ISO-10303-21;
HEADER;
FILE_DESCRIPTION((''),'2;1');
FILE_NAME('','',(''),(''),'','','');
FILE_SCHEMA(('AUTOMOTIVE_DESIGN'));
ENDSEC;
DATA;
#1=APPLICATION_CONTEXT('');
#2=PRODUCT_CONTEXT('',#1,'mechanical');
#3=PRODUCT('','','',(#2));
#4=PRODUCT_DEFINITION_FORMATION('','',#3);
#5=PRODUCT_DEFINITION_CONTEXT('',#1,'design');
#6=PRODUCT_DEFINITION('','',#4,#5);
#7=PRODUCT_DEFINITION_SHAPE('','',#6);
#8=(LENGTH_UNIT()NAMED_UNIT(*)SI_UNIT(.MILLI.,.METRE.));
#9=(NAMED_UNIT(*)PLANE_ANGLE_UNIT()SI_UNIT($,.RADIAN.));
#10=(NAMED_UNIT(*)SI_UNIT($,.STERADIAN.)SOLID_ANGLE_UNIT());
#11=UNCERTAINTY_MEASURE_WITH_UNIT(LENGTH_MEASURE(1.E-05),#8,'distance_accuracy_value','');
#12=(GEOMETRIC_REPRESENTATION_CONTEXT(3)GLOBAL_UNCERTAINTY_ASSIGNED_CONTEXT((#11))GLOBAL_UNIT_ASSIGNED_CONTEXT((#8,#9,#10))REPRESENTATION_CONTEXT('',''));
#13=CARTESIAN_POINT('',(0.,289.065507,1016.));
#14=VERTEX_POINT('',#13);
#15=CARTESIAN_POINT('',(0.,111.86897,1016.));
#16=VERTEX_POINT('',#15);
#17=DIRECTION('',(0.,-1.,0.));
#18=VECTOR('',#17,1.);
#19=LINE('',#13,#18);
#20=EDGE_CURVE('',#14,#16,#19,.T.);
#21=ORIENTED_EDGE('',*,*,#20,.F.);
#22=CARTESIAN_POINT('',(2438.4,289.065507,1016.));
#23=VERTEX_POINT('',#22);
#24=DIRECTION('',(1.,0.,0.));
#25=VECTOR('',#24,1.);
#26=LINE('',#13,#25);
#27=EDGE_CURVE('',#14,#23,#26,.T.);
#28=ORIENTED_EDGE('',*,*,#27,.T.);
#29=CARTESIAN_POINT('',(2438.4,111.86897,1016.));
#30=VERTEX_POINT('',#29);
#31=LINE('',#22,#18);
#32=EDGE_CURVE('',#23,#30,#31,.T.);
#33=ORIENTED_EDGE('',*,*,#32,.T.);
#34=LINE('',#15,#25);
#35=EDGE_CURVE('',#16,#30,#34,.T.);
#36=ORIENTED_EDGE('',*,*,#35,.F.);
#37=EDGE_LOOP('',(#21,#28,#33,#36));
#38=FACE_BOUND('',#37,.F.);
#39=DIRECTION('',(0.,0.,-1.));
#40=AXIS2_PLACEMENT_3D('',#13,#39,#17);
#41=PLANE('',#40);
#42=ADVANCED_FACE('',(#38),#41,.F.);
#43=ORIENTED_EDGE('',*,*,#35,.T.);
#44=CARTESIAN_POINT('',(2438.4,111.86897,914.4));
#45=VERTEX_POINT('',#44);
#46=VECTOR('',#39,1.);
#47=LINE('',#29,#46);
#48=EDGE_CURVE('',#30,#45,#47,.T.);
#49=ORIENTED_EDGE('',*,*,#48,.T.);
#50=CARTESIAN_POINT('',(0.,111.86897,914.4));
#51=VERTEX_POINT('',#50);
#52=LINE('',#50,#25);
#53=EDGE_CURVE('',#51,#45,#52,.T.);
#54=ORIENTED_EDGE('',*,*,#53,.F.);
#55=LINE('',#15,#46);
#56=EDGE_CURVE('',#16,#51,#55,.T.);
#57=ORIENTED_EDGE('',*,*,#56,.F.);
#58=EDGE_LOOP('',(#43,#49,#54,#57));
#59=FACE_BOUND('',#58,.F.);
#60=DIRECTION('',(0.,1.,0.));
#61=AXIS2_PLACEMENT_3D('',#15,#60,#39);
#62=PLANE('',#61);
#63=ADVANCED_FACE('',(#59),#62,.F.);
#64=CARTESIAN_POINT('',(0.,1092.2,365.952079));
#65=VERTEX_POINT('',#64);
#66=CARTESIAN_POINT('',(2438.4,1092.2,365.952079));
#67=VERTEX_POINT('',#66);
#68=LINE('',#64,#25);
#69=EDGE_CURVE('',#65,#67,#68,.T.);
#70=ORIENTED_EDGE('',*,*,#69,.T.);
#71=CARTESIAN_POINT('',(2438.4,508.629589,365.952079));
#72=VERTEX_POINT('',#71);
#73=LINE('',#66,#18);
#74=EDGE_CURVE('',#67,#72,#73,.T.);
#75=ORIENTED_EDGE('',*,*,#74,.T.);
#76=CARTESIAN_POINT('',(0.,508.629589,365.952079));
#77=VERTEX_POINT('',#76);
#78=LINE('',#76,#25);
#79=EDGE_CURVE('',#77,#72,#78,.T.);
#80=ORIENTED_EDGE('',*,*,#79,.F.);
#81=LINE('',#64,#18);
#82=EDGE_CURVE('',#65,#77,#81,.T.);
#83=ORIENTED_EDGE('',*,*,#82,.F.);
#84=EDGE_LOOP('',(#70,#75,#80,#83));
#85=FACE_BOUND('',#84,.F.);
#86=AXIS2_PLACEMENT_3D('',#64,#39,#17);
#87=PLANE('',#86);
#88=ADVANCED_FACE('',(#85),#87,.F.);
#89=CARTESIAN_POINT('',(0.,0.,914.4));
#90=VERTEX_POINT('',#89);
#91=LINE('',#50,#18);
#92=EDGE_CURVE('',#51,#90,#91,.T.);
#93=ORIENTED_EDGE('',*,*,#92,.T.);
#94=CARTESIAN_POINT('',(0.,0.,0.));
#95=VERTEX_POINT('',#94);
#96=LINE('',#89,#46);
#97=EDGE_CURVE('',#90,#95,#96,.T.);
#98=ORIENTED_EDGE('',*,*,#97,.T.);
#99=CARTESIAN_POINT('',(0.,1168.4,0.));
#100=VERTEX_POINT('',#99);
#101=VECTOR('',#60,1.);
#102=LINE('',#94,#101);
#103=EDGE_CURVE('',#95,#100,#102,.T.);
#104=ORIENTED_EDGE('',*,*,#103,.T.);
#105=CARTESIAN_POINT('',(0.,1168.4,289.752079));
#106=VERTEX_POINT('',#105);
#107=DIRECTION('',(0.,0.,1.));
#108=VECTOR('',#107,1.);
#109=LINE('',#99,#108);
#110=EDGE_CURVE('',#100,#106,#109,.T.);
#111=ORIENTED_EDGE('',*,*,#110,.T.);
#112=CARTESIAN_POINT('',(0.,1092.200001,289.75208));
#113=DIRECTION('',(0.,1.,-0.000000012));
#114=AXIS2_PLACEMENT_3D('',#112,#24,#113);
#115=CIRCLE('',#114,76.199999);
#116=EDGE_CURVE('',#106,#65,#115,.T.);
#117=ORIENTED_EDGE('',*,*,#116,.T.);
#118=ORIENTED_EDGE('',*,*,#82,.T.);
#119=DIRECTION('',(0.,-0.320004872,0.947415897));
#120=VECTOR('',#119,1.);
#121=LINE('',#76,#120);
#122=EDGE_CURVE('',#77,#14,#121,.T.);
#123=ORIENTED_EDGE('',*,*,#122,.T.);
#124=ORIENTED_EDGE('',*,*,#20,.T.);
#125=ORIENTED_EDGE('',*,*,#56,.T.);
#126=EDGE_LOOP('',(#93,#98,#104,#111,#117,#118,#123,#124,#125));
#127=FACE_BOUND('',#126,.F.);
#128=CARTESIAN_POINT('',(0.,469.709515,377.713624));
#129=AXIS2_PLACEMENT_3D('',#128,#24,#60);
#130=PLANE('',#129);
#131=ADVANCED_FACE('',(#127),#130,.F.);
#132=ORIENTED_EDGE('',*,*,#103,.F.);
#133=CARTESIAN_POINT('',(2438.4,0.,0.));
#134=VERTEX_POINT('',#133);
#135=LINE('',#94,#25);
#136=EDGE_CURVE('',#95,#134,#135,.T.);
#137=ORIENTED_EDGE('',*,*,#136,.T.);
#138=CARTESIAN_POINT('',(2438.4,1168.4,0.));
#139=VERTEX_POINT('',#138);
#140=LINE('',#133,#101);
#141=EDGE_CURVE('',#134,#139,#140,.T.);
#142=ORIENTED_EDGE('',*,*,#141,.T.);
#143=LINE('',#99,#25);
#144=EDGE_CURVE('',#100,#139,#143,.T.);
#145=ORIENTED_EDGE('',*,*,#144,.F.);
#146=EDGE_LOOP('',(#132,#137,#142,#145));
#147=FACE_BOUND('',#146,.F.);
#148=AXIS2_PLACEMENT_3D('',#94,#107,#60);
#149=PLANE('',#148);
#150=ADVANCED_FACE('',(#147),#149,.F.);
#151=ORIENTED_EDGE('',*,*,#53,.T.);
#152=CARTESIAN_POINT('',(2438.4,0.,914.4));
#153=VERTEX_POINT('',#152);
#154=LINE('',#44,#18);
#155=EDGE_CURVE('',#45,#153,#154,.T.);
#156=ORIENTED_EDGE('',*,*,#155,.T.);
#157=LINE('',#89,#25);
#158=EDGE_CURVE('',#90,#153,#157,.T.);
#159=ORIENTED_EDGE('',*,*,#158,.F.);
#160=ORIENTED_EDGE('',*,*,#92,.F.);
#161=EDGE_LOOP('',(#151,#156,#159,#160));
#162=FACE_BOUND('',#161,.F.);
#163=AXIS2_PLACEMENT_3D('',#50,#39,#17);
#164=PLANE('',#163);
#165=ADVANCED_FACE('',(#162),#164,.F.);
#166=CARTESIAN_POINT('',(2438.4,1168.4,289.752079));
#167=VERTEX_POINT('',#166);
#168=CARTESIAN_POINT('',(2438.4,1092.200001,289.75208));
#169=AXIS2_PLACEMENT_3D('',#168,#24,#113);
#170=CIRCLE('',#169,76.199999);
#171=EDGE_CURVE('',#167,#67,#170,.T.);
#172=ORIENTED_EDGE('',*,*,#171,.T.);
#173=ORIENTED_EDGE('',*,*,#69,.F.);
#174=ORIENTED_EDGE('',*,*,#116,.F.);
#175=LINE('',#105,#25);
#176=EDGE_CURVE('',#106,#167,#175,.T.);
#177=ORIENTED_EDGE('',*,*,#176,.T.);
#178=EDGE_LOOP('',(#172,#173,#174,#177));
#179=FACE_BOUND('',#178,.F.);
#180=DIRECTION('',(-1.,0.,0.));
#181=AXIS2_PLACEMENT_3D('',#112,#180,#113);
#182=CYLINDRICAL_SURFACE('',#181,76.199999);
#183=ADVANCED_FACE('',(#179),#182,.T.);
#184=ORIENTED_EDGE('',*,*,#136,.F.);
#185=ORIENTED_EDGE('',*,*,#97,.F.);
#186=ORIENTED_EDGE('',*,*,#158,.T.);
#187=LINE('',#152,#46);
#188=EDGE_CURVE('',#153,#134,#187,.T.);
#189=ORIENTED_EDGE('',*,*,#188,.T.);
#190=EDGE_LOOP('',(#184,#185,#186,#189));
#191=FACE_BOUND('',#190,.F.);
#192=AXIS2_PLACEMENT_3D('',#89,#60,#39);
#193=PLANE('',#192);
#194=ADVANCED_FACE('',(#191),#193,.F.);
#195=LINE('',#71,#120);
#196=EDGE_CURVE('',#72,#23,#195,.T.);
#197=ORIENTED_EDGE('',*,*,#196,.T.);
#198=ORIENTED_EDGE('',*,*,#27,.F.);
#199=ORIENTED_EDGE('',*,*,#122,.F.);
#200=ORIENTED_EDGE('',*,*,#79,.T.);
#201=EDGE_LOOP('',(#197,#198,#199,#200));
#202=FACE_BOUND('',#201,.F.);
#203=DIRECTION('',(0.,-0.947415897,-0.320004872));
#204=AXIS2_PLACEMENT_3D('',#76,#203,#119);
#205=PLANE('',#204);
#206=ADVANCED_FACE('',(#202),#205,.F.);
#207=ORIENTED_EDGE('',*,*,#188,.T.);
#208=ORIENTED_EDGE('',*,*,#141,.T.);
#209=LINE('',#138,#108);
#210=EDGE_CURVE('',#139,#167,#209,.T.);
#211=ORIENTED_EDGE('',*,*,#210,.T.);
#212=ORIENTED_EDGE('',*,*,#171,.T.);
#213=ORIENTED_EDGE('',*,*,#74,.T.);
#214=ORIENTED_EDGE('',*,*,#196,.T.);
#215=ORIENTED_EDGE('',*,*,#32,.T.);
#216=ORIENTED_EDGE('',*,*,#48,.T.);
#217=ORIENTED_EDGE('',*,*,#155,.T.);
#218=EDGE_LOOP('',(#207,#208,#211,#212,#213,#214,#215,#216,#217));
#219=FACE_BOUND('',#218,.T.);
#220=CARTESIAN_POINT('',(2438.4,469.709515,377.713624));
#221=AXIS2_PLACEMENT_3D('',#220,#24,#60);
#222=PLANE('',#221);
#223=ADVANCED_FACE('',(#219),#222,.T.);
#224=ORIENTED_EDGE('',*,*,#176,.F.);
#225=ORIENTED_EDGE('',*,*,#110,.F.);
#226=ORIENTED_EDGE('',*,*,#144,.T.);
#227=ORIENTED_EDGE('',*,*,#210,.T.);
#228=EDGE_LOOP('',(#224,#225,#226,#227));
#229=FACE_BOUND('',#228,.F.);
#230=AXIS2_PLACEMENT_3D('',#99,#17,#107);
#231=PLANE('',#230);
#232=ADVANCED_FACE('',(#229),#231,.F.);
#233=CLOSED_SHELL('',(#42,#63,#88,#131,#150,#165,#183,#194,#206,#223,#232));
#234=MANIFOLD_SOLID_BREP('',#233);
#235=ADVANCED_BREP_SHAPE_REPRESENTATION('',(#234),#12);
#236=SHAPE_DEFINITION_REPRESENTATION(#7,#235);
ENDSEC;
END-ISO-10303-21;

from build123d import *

# Parameters (mm, degrees)
F1_DEPTH = 2438.4


with BuildPart() as f1:
    # F0 (on Right) → F1 (new body)
    with BuildSketch(Plane.YZ):
        with BuildLine():
            Line((111.86897, 914.4), (0, 914.4))
            Line((0, 914.4), (0, 0))
            Line((0, 0), (1168.4, 0))
            Line((1168.4, 0), (1168.4, 289.752079))
            ThreePointArc((1168.4, 289.752079), (1146.081537, 343.633616), (1092.2, 365.952079))
            Line((1092.2, 365.952079), (508.629589, 365.952079))
            Line((508.629589, 365.952079), (289.065507, 1016))
            Line((289.065507, 1016), (111.86897, 1016))
            Line((111.86897, 1016), (111.86897, 914.4))
        make_face()
    extrude(amount=F1_DEPTH)


solid = f1.part
